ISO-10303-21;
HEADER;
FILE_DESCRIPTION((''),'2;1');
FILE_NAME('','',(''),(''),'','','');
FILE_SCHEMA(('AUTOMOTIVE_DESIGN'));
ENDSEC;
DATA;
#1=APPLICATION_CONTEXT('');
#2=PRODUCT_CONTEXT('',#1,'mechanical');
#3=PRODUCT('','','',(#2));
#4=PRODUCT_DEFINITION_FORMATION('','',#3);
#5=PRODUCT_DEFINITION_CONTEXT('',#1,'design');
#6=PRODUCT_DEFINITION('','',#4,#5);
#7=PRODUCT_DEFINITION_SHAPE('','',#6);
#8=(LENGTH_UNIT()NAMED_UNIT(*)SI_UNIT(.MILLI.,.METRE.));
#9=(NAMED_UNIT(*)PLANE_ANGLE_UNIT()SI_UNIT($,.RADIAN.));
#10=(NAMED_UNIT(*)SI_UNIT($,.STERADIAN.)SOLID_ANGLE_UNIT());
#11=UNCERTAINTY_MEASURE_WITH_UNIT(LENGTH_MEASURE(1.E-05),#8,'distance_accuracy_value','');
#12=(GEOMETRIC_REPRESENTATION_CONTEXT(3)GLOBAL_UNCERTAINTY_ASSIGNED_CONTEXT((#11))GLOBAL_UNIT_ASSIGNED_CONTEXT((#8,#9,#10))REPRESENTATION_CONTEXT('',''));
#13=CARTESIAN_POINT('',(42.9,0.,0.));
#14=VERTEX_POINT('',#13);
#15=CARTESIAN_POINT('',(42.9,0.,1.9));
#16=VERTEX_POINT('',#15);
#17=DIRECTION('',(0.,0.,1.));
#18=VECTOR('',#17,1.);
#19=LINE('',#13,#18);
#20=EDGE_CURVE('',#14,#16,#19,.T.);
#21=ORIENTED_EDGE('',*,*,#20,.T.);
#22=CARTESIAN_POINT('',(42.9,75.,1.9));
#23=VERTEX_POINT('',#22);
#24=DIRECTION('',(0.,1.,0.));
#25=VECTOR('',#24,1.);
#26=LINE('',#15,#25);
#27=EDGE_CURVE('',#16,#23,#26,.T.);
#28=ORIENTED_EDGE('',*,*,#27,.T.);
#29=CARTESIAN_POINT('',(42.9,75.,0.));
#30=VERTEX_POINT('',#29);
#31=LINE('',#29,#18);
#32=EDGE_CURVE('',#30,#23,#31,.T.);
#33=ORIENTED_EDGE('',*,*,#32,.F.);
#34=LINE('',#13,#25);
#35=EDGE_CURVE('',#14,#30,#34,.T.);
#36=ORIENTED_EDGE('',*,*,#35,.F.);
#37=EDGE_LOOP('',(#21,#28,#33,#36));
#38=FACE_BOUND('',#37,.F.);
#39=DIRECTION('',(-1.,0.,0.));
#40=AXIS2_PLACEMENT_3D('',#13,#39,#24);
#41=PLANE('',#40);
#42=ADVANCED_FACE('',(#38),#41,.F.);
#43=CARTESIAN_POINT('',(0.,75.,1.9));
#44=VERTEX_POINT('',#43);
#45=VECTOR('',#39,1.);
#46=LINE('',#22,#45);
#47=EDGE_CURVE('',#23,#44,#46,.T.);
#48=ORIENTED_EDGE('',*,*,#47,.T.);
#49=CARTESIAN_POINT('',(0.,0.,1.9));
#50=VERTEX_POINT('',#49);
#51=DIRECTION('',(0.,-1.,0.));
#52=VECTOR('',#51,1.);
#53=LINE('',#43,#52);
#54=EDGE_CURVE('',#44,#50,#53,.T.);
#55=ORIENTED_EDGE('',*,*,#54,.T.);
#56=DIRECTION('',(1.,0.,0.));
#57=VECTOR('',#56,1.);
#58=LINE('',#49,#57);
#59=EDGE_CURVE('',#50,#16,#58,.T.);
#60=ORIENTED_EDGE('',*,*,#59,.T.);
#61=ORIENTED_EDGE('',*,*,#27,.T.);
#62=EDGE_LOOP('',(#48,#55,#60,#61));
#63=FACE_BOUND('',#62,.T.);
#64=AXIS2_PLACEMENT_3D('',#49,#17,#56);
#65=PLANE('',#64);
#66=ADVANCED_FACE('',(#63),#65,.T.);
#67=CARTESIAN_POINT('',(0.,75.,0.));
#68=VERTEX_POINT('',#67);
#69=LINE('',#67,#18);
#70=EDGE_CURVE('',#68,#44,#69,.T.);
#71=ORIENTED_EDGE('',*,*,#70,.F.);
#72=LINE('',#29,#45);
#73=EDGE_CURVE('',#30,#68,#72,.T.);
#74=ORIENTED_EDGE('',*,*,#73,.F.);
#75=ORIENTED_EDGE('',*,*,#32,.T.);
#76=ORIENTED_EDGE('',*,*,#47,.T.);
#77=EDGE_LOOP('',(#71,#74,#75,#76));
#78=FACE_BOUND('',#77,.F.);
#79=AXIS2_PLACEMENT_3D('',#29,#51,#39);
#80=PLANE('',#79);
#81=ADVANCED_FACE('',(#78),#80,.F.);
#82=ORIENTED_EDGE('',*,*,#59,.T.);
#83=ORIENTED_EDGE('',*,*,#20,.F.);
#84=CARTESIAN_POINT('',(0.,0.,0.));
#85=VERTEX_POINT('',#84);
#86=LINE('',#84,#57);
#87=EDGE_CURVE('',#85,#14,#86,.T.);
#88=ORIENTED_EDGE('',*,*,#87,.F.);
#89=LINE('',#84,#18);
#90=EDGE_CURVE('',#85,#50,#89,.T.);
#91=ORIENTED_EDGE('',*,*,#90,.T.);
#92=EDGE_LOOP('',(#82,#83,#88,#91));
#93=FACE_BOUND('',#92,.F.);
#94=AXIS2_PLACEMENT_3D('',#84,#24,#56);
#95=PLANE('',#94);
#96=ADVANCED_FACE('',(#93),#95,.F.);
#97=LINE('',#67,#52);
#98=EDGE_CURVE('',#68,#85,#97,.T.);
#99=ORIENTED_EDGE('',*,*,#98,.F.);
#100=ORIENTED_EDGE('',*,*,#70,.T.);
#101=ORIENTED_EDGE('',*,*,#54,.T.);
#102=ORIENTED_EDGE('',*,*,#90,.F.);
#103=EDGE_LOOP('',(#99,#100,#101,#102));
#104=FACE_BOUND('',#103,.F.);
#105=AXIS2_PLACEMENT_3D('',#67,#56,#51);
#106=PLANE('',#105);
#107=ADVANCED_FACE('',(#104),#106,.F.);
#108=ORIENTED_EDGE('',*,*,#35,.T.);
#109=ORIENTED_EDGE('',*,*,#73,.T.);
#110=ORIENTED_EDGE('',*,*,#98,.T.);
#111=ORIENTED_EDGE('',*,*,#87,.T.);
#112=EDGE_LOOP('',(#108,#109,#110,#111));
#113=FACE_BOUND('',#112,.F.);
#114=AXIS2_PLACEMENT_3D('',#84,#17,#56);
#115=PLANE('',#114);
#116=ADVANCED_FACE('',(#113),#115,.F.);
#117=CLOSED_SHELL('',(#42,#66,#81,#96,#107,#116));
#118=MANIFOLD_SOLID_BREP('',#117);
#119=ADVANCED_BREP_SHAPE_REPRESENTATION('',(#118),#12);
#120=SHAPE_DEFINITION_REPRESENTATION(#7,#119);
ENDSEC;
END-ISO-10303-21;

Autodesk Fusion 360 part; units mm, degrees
sketch "Sketch1" plane through (0, 0, 0) normal (0, 0, 1) x (1, 0, 0)
  line L0 (0, 0) -> (42.9, 0)
  line L1 (42.9, 0) -> (42.9, 75)
  line L2 (42.9, 75) -> (0, 75)
  line L3 (0, 75) -> (0, 0)
  dimension "d1" = 42.9
  dimension "d2" = 75
extrude "Extrude1" add sketch "Sketch1" along normal blind 1.9
